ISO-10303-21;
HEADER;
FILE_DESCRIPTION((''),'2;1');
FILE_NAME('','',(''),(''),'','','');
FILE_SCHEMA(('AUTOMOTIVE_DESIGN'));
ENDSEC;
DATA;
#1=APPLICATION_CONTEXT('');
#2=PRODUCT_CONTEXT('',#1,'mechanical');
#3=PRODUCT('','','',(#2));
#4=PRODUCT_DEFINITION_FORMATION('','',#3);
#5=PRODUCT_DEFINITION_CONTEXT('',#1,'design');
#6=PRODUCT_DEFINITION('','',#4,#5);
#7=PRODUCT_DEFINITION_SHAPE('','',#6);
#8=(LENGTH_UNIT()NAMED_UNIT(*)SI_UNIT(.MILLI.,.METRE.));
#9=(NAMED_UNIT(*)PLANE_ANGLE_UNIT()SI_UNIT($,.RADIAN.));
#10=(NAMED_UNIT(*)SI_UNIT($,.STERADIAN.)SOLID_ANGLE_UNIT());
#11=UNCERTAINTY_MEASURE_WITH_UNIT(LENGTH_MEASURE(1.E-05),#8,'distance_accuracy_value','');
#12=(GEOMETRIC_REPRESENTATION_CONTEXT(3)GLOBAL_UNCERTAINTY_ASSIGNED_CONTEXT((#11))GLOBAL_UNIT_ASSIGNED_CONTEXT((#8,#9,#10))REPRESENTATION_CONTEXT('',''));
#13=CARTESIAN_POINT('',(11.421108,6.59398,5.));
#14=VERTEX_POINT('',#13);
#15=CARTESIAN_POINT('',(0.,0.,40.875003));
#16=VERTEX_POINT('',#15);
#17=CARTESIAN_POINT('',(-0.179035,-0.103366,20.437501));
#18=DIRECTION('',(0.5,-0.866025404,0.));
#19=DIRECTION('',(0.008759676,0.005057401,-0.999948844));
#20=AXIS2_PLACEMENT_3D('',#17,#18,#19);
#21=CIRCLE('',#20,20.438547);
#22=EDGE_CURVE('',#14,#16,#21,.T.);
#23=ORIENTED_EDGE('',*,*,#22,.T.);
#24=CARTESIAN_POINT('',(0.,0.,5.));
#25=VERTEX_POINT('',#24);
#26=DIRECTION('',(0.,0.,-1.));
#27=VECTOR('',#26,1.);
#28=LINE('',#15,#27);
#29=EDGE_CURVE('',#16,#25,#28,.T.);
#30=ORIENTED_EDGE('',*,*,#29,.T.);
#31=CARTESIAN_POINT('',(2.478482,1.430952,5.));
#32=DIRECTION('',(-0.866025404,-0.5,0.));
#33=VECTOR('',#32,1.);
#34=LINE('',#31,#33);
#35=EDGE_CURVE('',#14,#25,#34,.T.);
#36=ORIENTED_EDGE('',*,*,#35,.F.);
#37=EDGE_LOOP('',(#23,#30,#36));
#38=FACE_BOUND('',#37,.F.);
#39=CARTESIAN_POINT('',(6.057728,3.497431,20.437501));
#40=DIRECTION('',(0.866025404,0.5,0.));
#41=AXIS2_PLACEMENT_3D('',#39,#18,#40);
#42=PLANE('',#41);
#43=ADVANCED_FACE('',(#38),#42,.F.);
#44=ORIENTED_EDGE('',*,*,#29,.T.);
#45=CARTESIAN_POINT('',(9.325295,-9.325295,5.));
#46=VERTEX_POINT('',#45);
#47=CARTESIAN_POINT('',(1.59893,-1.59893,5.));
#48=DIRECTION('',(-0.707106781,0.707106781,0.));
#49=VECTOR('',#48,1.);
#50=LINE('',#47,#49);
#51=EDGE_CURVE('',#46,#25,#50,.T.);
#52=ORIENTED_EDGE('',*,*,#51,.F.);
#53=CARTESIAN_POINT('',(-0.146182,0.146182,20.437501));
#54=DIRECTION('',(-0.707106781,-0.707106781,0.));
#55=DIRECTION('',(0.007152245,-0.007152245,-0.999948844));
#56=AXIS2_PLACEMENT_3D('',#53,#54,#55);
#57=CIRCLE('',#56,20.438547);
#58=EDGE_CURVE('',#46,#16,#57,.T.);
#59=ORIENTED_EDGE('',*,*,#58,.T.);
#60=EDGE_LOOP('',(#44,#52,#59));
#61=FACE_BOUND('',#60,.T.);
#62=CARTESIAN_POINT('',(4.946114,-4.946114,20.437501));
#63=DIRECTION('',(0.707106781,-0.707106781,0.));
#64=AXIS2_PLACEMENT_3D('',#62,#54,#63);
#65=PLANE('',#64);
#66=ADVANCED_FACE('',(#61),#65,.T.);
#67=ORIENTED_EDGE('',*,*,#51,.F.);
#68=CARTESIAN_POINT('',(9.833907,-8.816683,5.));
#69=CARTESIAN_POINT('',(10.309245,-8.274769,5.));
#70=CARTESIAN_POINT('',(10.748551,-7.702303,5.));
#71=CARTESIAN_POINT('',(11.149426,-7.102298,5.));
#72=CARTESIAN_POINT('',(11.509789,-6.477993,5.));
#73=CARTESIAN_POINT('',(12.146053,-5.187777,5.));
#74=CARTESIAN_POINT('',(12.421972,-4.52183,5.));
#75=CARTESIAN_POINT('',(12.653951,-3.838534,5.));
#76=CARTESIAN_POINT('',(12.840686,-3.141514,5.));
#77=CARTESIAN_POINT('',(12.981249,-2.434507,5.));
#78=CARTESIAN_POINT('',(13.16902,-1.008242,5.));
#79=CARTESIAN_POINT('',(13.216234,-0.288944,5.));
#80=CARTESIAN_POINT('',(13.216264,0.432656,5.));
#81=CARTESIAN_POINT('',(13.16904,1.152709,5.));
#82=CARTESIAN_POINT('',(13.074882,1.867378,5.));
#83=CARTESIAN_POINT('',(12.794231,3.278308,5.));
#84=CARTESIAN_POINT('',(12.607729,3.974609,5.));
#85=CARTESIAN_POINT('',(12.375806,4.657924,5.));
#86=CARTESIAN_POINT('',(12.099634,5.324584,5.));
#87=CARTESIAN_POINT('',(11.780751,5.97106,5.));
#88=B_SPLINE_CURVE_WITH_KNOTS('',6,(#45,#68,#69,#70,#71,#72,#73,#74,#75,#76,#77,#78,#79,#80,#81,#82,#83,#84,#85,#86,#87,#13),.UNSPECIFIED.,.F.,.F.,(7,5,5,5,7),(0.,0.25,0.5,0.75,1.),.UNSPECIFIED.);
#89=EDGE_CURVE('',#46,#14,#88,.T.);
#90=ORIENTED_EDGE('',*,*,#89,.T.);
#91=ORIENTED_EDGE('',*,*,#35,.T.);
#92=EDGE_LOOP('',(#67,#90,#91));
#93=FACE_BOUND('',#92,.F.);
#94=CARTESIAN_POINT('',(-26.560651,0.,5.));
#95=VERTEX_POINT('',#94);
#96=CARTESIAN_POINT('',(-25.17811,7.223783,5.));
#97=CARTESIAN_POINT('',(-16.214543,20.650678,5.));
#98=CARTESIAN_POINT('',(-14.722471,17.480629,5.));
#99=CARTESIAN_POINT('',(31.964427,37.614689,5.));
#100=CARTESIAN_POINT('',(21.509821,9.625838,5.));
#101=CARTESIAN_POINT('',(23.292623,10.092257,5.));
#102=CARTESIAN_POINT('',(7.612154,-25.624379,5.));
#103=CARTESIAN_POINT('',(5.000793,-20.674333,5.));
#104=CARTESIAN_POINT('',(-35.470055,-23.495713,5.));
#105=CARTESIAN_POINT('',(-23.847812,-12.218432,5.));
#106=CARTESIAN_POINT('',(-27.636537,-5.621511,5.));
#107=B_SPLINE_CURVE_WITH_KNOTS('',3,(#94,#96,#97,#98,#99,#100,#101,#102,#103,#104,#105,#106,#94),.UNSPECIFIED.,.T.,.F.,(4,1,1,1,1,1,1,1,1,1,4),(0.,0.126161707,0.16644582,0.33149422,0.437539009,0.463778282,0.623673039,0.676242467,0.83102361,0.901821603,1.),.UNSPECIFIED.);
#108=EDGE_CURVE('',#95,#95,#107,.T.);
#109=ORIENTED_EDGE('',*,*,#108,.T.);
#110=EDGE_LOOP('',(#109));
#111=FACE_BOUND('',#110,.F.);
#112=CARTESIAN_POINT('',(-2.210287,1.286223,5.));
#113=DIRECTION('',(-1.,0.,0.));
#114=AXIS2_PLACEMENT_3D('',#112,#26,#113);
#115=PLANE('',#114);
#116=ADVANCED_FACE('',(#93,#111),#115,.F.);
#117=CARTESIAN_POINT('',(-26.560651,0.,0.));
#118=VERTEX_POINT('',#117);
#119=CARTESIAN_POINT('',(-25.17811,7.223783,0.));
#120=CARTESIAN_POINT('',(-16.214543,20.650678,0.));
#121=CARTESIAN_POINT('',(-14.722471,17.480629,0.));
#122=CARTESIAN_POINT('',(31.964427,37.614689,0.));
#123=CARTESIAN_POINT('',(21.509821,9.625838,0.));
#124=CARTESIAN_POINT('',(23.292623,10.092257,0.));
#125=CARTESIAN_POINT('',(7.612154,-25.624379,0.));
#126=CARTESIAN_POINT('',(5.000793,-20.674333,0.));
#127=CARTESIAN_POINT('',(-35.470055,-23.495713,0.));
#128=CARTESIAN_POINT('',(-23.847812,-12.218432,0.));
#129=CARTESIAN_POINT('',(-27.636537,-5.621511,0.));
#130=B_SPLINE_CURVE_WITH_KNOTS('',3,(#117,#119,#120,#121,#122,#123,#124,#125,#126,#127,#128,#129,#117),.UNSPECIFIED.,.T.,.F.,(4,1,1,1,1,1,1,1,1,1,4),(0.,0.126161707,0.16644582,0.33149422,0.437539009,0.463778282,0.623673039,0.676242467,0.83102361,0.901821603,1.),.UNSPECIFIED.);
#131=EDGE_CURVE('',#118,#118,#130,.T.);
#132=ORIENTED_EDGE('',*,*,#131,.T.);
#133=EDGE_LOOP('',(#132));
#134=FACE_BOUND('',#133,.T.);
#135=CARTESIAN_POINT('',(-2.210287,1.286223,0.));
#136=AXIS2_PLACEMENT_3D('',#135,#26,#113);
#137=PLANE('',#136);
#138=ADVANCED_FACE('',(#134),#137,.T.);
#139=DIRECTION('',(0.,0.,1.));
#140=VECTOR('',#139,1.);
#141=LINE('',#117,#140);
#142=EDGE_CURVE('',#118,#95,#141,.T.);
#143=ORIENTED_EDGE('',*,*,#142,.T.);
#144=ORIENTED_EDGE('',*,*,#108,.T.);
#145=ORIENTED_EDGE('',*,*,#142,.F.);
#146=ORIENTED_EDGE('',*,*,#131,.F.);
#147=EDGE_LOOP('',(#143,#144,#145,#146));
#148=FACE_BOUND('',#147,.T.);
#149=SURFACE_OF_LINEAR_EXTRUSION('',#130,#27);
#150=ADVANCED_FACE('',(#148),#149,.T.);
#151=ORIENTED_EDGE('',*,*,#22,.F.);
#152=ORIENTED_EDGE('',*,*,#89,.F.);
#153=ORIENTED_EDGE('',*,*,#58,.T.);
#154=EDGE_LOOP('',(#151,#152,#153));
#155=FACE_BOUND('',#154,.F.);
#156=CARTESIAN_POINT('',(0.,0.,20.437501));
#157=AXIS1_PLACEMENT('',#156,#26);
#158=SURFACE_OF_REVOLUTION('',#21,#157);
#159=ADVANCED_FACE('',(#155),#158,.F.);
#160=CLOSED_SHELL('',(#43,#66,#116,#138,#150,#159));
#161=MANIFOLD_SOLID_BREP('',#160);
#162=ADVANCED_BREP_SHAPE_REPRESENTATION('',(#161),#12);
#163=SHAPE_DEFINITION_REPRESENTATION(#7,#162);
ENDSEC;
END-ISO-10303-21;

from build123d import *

# Parameters (mm, degrees)
F1_DEPTH      = 5
F3_ANGLE_BACK = 30
F3_ANGLE      = 75


with BuildPart() as f1:
    # F0 (on Top) → F1 (new body)
    with BuildSketch(Plane.XY):
        with BuildLine():
            add(Edge.make_bspline(
                [(-26.5606511384, 0), (-25.1781101462, 7.2237833943), (-16.2145429543, 20.6506777342), (-14.7224711447, 17.4806285238), (31.9644274815, 37.6146889714), (21.5098212853, 9.6258380988), (23.2926234417, 10.0922566261), (7.6121541068, -25.6243791951), (5.0007931071, -20.6743326089), (-35.4700545695, -23.4957126151), (-23.847812163, -12.2184320552), (-27.6365374863, -5.6215113893), (-26.5606511384, 0)],
                knots=[0, 0, 0, 0, 0.1261617069, 0.1664458201, 0.3314942205, 0.4375390091, 0.4637782819, 0.6236730386, 0.676242467, 0.8310236096, 0.9018216032, 1, 1, 1, 1], degree=3))
        make_face()
    extrude(amount=F1_DEPTH)

    # F2 (on Front) → F3 (revolve)
    with BuildSketch(Plane.XZ, mode=Mode.PRIVATE) as f3_sk:
        with BuildLine():
            ThreePointArc((0, 0), (20.2318150575, 20.4375013709), (0, 40.8750027418))
            Line((0, 40.8750027418), (0, 0))
        make_face()
    revolve(f3_sk.sketch.rotate(Axis((0, 0, 20.4375013709), (0, 0, -1)), -F3_ANGLE_BACK), axis=Axis((0, 0, 20.4375013709), (0, 0, -1)), revolution_arc=F3_ANGLE)


solid = f1.part
